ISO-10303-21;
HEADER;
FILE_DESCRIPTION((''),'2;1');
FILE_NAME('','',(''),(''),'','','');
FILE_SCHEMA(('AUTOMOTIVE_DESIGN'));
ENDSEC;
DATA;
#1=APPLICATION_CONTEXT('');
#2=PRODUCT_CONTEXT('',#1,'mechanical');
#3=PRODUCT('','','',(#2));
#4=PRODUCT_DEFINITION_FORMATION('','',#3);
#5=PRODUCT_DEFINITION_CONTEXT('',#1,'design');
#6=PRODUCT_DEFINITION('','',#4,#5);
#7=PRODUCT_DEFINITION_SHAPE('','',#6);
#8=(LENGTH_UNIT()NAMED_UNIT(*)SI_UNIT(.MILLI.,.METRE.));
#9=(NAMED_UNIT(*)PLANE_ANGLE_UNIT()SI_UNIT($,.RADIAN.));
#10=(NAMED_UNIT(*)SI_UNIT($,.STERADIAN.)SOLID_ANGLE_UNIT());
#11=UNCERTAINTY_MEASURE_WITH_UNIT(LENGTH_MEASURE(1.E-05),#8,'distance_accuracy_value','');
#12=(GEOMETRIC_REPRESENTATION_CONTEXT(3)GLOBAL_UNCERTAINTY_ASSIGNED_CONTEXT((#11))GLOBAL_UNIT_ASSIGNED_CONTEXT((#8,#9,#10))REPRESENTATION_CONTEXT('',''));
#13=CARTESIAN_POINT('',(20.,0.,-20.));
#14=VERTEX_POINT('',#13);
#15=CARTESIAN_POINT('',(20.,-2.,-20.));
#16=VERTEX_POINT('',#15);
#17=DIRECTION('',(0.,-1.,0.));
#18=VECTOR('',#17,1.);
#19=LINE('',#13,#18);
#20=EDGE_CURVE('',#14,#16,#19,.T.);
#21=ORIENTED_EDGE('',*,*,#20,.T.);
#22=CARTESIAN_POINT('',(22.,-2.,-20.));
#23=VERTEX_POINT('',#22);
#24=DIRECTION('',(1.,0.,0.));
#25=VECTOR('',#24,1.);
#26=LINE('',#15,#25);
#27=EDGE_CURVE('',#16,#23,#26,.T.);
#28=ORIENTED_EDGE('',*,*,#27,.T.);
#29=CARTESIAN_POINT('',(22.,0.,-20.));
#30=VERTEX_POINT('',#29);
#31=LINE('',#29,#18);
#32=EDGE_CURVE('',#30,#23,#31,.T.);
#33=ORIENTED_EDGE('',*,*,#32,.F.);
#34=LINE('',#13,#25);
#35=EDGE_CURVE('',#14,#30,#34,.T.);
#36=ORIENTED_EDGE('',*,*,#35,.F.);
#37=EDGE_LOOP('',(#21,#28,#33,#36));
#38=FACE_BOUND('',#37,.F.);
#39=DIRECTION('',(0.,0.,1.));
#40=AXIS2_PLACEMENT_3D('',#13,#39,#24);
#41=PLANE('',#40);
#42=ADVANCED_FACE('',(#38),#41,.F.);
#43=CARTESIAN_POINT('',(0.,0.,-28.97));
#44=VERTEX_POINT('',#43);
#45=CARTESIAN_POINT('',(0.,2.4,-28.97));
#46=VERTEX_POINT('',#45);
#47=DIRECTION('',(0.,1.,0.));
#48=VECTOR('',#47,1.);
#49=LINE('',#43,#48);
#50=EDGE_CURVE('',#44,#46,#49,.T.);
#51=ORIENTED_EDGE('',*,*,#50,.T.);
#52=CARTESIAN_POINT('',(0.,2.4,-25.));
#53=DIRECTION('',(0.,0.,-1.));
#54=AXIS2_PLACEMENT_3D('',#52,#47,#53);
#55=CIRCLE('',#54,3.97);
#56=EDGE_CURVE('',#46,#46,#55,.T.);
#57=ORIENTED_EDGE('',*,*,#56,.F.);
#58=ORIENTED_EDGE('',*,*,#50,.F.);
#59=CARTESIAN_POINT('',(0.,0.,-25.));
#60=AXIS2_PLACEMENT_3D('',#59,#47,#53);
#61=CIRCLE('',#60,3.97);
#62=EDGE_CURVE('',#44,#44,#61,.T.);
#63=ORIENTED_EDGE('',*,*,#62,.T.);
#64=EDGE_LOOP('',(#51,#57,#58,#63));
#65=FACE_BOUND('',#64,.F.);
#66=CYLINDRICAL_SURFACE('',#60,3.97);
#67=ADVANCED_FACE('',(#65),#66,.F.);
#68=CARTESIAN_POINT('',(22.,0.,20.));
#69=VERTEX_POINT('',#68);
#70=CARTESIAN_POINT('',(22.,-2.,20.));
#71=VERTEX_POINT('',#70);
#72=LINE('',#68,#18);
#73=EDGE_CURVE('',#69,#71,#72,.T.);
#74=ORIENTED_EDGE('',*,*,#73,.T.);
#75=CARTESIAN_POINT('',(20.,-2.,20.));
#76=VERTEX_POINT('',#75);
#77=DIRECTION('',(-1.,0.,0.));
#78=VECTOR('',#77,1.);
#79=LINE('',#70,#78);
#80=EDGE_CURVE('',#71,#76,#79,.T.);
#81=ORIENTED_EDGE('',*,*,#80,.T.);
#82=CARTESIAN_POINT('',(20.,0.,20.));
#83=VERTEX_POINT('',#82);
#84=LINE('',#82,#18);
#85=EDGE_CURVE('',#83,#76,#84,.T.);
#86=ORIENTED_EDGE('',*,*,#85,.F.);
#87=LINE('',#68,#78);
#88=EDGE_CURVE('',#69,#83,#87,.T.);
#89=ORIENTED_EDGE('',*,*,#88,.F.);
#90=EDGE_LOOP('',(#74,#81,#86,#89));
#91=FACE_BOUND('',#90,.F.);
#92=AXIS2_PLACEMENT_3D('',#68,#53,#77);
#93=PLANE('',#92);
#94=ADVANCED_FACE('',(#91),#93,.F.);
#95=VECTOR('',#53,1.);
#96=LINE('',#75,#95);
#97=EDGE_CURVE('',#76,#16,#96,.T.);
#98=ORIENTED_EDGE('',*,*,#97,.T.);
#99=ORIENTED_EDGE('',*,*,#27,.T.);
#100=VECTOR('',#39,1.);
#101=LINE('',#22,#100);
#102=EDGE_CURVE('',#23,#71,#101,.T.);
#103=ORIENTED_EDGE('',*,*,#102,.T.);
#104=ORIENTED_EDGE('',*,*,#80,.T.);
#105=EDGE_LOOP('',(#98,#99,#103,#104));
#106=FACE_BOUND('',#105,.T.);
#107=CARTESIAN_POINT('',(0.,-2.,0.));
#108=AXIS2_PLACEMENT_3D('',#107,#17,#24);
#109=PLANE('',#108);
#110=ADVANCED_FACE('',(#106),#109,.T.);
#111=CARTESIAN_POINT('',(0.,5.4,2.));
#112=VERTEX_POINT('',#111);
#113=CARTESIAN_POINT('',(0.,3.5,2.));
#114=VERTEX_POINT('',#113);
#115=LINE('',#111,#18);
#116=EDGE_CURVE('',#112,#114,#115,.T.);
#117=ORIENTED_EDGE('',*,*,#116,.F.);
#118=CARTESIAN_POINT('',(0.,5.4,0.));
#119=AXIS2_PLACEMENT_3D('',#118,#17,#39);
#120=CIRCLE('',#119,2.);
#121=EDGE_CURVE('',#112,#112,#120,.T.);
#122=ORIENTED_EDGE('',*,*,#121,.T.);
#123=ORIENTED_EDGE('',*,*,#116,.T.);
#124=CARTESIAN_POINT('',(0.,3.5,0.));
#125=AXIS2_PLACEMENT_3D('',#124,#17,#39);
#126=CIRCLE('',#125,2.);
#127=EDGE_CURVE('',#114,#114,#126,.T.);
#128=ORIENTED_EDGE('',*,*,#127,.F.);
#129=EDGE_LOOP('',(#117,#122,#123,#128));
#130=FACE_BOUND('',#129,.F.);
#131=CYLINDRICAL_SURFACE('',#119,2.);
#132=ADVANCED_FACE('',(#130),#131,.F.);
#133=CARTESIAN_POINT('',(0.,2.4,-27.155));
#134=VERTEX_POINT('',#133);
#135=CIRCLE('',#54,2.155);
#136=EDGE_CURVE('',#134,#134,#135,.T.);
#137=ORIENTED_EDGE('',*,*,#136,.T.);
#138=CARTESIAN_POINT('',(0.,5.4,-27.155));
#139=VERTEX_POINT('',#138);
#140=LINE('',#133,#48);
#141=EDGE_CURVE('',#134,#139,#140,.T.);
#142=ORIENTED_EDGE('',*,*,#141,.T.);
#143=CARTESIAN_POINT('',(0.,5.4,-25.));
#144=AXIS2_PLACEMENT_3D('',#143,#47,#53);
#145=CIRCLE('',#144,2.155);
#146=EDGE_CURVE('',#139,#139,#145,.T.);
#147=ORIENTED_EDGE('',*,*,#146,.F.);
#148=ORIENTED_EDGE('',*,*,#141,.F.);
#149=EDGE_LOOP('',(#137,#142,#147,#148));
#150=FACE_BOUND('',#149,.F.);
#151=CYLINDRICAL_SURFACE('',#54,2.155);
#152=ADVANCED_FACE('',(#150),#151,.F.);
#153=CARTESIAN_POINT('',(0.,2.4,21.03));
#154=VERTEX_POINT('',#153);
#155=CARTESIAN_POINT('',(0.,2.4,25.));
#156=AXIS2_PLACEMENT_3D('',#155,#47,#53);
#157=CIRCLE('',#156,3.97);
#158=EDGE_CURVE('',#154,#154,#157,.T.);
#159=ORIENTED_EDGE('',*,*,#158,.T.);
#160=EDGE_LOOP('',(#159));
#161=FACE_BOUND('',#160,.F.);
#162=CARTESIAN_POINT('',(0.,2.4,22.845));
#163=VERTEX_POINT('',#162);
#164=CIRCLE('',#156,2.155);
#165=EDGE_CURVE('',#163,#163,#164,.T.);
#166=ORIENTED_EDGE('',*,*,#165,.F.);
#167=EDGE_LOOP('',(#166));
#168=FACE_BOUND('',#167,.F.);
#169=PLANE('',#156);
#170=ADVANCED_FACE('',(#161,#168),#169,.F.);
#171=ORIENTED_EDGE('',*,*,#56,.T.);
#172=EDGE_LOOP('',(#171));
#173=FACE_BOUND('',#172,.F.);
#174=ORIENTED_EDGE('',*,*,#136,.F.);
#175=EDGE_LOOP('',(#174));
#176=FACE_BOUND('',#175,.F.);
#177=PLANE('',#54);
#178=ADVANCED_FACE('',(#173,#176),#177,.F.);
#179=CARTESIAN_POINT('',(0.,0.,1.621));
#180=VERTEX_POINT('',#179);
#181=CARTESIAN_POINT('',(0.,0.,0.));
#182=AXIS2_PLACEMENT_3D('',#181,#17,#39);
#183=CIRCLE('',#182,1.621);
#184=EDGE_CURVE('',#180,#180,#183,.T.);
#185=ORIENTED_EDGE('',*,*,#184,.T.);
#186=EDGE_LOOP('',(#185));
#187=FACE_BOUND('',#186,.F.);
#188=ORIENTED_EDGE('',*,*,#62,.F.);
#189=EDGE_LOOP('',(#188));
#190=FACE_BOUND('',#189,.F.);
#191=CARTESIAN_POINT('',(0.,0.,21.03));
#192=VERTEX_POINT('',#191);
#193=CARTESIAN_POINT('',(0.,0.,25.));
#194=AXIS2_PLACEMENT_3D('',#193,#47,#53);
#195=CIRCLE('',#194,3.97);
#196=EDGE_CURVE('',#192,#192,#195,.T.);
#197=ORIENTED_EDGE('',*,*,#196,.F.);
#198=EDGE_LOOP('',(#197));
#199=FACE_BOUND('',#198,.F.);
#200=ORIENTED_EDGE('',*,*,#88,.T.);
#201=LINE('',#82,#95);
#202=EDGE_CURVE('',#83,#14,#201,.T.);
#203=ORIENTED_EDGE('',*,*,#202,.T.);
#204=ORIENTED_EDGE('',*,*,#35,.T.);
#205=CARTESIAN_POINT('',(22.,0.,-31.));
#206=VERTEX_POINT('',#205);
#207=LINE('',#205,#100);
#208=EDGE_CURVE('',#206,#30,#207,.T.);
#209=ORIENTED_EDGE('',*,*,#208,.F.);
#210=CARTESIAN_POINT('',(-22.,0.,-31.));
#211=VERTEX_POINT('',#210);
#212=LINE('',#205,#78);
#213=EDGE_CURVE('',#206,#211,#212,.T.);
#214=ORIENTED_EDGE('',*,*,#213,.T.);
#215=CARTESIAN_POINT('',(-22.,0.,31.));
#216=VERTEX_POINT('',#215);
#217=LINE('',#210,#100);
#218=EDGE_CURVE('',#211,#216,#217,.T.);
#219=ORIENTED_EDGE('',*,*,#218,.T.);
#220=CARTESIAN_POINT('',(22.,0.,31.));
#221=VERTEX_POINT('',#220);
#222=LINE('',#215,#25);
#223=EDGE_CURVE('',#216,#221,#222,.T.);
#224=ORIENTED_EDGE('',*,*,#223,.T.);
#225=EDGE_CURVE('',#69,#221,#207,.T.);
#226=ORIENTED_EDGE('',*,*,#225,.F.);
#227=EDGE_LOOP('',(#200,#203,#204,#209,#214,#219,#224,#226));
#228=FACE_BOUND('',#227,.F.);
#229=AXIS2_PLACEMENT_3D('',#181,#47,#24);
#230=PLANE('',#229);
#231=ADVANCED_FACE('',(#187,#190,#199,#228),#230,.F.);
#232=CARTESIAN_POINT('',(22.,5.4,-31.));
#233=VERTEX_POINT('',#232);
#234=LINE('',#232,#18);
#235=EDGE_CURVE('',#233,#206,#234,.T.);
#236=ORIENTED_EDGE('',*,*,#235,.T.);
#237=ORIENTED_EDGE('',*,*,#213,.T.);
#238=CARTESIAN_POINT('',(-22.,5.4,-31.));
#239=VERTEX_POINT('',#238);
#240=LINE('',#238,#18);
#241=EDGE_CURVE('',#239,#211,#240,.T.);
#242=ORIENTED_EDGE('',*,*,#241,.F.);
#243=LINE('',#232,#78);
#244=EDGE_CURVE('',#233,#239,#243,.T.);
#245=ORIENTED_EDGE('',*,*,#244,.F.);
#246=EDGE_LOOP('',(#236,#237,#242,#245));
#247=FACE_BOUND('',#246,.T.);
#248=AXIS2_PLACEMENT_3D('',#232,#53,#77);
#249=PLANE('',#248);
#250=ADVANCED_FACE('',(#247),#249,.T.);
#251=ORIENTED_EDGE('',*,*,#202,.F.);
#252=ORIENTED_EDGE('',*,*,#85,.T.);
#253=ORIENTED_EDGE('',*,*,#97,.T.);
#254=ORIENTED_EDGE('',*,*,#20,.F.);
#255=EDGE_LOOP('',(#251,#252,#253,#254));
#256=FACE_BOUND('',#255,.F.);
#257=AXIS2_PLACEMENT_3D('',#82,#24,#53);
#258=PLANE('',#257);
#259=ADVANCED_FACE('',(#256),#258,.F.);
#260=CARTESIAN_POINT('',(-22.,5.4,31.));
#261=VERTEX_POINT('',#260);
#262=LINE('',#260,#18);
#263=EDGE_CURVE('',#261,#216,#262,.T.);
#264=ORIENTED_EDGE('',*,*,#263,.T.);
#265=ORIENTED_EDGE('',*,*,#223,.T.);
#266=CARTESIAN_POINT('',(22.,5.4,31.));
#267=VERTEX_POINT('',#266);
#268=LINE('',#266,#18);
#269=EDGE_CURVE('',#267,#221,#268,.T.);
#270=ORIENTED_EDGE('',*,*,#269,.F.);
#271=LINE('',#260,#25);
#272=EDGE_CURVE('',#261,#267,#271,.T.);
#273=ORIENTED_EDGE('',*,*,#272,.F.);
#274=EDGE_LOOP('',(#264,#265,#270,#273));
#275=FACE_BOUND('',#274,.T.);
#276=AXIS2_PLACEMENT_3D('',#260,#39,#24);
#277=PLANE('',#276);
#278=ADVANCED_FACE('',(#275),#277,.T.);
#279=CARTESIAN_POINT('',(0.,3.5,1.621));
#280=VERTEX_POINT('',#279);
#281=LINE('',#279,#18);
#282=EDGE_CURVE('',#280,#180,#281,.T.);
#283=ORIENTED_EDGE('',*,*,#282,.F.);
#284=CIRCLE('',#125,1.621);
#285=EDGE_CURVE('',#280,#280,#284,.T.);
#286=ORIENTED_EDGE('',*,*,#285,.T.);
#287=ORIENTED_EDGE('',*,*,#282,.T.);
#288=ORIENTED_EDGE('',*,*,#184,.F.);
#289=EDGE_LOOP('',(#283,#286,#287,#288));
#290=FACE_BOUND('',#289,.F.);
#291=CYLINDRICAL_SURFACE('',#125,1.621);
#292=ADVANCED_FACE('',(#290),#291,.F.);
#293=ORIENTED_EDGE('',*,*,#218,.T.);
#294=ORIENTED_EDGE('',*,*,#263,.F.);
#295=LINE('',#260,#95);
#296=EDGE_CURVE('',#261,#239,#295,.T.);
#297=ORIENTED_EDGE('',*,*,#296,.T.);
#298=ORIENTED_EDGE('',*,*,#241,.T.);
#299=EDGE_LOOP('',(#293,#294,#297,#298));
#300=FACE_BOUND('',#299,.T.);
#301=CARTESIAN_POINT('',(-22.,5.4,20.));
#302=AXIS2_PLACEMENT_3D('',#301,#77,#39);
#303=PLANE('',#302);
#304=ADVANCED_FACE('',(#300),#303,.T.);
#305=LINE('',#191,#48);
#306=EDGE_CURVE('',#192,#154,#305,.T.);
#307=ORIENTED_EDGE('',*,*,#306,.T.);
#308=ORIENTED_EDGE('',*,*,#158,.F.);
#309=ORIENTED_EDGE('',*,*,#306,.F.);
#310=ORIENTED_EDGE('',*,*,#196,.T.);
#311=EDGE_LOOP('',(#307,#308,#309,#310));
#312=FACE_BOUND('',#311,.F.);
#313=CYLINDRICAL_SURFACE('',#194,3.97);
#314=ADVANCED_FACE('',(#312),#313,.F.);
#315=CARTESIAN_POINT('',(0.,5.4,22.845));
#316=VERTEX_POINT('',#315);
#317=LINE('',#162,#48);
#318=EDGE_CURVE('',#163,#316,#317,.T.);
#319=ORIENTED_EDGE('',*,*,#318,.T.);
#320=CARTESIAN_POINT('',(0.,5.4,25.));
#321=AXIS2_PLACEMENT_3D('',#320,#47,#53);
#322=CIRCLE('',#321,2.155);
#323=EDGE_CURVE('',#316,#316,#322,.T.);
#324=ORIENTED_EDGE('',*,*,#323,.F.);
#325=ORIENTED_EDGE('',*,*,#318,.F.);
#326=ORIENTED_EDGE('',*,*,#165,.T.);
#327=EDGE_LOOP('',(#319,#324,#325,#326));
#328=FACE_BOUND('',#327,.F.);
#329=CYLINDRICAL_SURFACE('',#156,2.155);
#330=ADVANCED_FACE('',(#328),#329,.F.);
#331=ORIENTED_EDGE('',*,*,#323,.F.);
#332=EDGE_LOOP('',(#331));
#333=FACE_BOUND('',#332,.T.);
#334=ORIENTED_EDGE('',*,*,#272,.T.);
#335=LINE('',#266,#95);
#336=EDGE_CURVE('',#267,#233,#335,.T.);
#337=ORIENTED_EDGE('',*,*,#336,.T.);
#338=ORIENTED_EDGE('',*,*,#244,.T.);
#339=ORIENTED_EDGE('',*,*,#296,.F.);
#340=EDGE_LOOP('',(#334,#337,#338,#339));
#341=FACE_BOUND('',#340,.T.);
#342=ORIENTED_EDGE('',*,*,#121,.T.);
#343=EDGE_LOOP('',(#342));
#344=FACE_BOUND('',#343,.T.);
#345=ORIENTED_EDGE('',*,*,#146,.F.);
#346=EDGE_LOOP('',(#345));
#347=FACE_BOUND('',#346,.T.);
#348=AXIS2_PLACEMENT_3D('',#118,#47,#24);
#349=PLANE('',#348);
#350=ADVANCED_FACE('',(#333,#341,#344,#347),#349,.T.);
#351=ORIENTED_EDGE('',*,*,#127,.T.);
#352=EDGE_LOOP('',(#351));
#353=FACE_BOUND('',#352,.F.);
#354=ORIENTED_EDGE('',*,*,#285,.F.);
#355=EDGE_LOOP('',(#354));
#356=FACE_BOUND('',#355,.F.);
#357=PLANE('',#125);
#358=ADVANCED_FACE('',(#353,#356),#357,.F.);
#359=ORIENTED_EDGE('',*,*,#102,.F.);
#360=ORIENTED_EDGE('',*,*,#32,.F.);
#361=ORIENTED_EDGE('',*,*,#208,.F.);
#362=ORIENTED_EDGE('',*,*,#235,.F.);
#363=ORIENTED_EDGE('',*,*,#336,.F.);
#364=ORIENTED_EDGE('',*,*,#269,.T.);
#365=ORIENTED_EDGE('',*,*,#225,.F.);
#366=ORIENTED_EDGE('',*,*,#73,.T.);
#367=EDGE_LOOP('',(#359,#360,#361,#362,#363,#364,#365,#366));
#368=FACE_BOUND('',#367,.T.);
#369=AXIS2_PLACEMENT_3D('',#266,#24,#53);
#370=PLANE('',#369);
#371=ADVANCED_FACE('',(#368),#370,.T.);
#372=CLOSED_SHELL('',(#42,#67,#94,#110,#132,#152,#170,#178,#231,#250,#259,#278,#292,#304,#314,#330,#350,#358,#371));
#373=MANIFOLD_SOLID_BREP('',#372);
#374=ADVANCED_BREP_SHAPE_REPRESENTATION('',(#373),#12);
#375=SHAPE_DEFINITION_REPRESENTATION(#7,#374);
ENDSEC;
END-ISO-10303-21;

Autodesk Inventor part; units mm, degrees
ref_plane "YZ Plane" through (0, 0, 0) normal (1, 0, 0) x (0, 1, 0)
ref_plane "XZ Plane" through (0, 0, 0) normal (0, 1, 0) x (-1, 0, 0)
ref_plane "XY Plane" through (0, 0, 0) normal (0, 0, 1) x (1, 0, 0)
sketch "Sketch1" plane through (0, 0, 0) normal (0, 1, 0) x (-1, 0, 0)
  line L0 (22, 20) -> (-22, 20)
  line L1 (-22, 20) -> (-22, -20)
  line L2 (-22, -20) -> (22, -20)
  line L3 (22, -20) -> (22, 20)
  line L4 (22, 20) -> (-22, -20) construction
  line L5 (-22, 20) -> (22, -20) construction
  point P0 (0, 0)
  dimension "CUBE_DIM" = 40
  dimension "d1" = 44
extrude "Extrusion1" add sketch "Sketch1" along normal blind 5.4
sketch "Sketch2" plane through (0, 5.4, 0) normal (0, 1, 0) x (1, 0, 0)
  line L0 (-22, -31) -> (22, -31)
  line L1 (22, -31) -> (22, 31)
  line L2 (22, 31) -> (-22, 31)
  line L3 (-22, 31) -> (-22, -31)
  line L4 (-22, -31) -> (22, 31) construction
  line L5 (22, -31) -> (-22, 31) construction
  line L6 (-22, 20) -> (-22, -20) projected
  line L7 (-22, -20) -> (22, -20)
  line L8 (22, 20) -> (-22, 20) projected
  line L9 (-22, 20) -> (22, 20)
  point P0 (0, 0)
  dimension "BASE_LENGTH" = 62
  dimension "BASE_WIDTH" = 44
extrude "Extrusion2" add sketch "Sketch2" against normal blind 5.4
sketch "Sketch5" plane through (0, 0, 0) normal (0, -1, 0) x (1, 0, 0)
  line L0 (22, 20) -> (20, 20)
  line L1 (20, 20) -> (20, -20)
  line L2 (20, -20) -> (22, -20)
  line L3 (22, -20) -> (22, 20)
  line L4 (22, 31) -> (22, -31) projected
  point P0 (0, 0)
  dimension "d31" = 40
  dimension "d32" = 20
  dimension "d33" = 0
  dimension "d34" = 2
extrude "Extrusion3" add sketch "Sketch5" along normal blind 2
sketch "Sketch3" plane through (0, 5.4, 0) normal (0, 1, 0) x (1, 0, 0)
  circle A0 centre (0, 0) radius 2.9522
  line L0 (20, 20) -> (20, -20) projected
  dimension "d35" = 20
hole "Hole1" at (0, 5.4, 0) direction (0, -1, 0) diameter 3.242 depth 5.4 counterbore diameter 4 counterbore depth 1.9 thread size "M4x0.7" class "6H" standard "ANSI Metric M Profile"
sketch "Sketch4" plane through (0, 0, 0) normal (0, -1, 0) x (1, 0, 0)
  circle A0 centre (0, -25) radius 1.0924
  circle A1 centre (0, 25) radius 1.3036
  line L0 (-22, -31) -> (22, -31) projected
  line L1 (22, 31) -> (-22, 31) projected
  point P0 (0, 0)
  point P1 (-22, -29)
  point P2 (-22, 29)
  point P3 (22, -31)
  point P4 (-22, 31)
  dimension "d22" = 6
  dimension "d23" = 6
hole "Hole2" at (0, 0, 25) at (0, 0, -25) direction (0, 1, 0) diameter 4.31 depth 12.3 counterbore diameter 7.94 counterbore depth 2.4 clearance for "Socket Head Cap Screw" size "#8" standard "Ansi Unified Screw Threads"
equation "\"PLATFORM_HEIGHT\" = BEAM_HEIGHT - 0.5 * CUBE_DIM"
equation "\"BASE_LENGTH\" = CUBE_DIM + 2 * WING_SIZE"
equation "\"d32\" = 0.5 * d31"
equation "\"d13\" = PLATFORM_HEIGHT"
equation "\"WING_SIZE\" = 11"
equation "\"BEAM_HEIGHT\" = 25.4"
properties part number "EOM mount"
